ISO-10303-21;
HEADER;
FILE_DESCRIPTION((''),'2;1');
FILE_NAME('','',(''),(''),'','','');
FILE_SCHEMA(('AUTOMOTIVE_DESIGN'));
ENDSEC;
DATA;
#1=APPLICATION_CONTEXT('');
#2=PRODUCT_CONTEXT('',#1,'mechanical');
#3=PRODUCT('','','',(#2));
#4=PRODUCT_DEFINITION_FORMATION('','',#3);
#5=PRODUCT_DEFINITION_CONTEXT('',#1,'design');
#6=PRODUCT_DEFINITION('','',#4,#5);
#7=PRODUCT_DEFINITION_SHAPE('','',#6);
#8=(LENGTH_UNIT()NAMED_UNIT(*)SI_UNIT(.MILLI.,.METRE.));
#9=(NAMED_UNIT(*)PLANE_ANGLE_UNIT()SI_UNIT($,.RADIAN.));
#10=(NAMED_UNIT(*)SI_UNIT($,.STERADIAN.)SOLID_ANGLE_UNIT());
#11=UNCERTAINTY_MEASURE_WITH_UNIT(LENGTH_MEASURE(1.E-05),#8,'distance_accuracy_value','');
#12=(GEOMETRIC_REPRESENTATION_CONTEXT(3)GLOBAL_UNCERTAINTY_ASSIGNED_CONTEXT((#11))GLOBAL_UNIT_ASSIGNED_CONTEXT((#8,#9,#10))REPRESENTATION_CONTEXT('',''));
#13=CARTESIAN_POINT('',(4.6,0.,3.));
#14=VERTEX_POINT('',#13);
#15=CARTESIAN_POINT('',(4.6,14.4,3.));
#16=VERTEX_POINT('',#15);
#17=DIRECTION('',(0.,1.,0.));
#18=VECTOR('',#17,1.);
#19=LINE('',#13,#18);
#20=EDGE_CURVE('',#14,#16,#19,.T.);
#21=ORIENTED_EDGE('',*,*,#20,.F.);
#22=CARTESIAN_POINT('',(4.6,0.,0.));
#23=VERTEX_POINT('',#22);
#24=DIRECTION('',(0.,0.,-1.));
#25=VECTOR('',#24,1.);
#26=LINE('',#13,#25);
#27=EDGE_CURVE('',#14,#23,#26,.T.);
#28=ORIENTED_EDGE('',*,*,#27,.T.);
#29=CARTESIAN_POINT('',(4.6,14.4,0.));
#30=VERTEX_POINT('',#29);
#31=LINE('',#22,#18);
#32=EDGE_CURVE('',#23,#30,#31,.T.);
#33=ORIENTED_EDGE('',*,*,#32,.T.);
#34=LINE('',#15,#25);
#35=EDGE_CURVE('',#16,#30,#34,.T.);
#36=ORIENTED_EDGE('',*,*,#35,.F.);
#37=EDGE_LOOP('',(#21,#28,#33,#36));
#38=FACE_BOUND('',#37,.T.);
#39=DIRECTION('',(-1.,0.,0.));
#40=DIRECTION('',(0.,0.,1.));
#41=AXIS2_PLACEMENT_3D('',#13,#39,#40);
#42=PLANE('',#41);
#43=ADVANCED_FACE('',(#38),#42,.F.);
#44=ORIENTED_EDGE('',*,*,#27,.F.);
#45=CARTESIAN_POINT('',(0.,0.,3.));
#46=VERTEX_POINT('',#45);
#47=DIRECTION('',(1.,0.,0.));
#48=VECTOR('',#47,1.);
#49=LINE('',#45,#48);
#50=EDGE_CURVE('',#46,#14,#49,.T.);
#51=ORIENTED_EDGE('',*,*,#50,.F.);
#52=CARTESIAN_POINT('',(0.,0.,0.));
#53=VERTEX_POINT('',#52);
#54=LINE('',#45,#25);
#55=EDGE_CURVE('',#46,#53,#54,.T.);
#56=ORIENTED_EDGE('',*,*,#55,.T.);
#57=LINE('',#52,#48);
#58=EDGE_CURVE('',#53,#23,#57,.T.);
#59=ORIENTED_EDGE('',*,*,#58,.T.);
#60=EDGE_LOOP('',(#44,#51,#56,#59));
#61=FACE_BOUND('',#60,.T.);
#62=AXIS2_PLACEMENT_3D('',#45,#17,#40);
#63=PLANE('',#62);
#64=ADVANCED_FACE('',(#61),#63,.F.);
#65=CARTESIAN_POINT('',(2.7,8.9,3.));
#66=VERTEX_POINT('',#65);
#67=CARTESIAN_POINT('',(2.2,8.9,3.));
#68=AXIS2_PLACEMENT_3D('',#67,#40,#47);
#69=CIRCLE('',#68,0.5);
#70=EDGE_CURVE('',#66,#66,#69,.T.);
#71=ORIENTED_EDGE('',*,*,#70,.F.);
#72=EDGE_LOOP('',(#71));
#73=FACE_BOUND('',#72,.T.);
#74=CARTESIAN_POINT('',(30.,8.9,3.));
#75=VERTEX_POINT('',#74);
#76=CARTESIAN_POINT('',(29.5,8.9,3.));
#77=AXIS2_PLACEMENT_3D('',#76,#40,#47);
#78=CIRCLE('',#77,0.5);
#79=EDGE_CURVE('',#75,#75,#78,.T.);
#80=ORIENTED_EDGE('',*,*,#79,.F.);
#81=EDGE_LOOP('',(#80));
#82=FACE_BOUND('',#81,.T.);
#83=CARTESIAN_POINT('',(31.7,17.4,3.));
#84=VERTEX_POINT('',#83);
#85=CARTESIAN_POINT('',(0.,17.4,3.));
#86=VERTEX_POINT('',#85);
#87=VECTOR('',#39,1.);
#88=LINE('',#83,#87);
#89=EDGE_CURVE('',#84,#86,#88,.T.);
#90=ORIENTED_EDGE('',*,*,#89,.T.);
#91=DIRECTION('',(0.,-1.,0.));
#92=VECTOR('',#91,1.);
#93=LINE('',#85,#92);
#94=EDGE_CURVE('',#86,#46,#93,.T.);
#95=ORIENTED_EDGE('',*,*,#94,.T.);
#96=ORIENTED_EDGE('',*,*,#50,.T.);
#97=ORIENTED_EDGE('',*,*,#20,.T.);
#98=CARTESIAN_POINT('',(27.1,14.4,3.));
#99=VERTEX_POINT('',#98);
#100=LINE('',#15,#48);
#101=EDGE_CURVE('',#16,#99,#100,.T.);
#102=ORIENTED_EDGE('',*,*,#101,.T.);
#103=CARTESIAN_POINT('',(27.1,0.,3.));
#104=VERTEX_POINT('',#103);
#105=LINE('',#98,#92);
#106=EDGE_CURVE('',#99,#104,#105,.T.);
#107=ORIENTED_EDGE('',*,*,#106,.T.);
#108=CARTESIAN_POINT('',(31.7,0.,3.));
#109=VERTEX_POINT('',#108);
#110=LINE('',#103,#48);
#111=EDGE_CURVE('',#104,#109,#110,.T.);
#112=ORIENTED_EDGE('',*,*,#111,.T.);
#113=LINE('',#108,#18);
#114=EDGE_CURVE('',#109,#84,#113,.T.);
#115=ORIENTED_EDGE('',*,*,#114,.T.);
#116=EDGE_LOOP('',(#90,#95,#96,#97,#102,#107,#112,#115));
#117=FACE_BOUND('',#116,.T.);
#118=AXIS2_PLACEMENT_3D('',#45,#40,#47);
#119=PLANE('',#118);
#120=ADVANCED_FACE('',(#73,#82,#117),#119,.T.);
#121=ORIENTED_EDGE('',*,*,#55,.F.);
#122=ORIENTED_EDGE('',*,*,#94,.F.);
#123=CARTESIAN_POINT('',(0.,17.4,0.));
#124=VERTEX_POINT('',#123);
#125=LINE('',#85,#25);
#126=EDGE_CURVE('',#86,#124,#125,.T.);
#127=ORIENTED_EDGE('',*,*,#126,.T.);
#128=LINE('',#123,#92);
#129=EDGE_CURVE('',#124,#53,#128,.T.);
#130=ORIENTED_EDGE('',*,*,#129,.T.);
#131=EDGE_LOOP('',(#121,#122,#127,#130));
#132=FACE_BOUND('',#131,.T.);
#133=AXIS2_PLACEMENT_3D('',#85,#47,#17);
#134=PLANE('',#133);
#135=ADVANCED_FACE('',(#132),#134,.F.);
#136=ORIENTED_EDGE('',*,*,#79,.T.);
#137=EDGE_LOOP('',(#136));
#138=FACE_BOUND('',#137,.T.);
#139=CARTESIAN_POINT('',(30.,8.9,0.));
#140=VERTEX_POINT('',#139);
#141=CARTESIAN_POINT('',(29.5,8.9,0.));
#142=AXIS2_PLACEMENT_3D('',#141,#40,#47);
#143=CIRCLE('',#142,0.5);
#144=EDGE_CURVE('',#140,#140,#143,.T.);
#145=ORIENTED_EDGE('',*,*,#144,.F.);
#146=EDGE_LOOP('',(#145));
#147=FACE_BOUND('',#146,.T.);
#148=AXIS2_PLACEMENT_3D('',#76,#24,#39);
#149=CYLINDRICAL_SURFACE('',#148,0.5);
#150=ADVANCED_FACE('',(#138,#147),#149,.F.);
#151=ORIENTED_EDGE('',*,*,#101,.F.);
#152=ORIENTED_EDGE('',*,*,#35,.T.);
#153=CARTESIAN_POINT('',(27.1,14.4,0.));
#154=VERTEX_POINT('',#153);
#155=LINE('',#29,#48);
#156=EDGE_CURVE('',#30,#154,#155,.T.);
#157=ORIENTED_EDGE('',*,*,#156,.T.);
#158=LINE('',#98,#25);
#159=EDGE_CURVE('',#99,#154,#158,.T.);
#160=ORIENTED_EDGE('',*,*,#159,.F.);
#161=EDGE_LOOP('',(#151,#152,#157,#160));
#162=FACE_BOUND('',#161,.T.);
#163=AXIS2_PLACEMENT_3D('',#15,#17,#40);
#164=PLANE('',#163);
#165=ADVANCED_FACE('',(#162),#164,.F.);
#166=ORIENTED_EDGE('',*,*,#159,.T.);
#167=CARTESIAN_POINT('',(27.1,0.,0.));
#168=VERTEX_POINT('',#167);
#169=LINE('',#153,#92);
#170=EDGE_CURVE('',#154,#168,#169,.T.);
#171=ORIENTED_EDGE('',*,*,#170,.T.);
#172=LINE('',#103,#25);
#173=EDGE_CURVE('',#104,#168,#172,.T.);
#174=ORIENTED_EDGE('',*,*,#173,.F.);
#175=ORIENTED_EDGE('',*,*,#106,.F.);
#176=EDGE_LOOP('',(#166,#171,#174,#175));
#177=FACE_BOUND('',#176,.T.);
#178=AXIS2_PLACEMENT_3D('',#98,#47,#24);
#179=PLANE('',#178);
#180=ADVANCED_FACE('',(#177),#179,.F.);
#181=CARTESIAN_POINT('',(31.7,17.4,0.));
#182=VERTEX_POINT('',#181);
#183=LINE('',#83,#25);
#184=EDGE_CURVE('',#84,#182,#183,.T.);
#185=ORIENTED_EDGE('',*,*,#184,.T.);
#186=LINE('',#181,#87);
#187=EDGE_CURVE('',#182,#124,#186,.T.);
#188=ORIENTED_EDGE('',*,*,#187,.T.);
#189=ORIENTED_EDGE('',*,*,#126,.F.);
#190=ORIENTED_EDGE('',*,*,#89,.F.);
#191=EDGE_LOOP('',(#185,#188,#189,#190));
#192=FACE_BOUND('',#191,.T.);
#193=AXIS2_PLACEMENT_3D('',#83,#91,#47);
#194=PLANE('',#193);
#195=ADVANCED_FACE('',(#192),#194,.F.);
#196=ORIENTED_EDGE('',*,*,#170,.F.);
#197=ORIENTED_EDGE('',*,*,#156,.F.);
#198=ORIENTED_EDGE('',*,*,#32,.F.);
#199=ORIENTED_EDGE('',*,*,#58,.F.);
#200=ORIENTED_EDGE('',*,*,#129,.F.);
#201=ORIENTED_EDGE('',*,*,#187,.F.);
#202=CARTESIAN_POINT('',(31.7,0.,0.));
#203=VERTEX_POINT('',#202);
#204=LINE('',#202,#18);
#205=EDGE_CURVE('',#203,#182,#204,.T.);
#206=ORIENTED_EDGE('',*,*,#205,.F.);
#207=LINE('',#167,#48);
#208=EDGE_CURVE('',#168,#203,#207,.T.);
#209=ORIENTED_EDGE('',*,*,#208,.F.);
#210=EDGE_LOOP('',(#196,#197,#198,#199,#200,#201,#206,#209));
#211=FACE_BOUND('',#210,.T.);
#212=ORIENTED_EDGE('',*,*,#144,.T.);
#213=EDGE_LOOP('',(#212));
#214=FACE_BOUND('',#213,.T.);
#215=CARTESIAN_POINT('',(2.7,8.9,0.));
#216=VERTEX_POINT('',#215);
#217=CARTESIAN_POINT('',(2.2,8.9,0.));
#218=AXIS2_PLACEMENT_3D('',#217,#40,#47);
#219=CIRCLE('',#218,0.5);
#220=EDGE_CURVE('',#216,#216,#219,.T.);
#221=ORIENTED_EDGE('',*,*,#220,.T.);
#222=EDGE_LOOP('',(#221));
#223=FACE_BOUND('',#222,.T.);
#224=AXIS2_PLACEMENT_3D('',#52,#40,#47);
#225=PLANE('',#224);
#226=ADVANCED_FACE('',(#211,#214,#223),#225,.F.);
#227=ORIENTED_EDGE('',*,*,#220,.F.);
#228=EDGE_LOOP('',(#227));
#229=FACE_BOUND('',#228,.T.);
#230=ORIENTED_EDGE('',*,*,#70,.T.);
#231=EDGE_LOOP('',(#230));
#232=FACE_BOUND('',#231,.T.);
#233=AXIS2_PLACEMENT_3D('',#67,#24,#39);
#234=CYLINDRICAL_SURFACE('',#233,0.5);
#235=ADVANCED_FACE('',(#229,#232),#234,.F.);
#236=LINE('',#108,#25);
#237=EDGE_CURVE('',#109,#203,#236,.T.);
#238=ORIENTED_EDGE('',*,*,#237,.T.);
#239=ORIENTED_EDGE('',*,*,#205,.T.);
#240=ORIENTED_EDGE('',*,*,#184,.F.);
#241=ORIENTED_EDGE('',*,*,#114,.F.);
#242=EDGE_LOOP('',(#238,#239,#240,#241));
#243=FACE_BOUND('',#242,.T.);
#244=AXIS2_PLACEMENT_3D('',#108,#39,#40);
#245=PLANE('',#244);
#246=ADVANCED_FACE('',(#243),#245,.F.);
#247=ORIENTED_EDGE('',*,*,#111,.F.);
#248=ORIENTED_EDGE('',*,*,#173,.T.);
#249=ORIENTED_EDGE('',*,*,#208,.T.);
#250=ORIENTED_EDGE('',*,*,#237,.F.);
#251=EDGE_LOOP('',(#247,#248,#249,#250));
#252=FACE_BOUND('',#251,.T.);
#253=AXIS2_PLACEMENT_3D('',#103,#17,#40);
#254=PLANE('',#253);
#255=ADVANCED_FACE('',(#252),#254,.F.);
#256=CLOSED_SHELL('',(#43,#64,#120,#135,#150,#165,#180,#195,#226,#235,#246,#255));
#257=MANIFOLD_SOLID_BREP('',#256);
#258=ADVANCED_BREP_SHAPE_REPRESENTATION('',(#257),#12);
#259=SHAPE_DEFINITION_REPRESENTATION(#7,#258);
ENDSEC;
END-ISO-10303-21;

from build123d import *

# Parameters (mm, degrees)
SKETCH1_R           = 0.5
BOSS_EXTRUDE1_DEPTH = 3


with BuildPart() as part:
    # Sketch1 → Boss-Extrude1 (new body)
    with BuildSketch(Plane.XY):
        Polygon((0, 0), (4.6, 0), (4.6, 14.4), (27.1, 14.4), (27.1, 0), (31.7, 0), (31.7, 17.4), (0, 17.4), align=None)
        with Locations((29.5, 8.9)):
            Circle(SKETCH1_R, mode=Mode.SUBTRACT)
        with Locations((2.2, 8.9)):
            Circle(SKETCH1_R, mode=Mode.SUBTRACT)
    extrude(amount=BOSS_EXTRUDE1_DEPTH)


solid = part.part
